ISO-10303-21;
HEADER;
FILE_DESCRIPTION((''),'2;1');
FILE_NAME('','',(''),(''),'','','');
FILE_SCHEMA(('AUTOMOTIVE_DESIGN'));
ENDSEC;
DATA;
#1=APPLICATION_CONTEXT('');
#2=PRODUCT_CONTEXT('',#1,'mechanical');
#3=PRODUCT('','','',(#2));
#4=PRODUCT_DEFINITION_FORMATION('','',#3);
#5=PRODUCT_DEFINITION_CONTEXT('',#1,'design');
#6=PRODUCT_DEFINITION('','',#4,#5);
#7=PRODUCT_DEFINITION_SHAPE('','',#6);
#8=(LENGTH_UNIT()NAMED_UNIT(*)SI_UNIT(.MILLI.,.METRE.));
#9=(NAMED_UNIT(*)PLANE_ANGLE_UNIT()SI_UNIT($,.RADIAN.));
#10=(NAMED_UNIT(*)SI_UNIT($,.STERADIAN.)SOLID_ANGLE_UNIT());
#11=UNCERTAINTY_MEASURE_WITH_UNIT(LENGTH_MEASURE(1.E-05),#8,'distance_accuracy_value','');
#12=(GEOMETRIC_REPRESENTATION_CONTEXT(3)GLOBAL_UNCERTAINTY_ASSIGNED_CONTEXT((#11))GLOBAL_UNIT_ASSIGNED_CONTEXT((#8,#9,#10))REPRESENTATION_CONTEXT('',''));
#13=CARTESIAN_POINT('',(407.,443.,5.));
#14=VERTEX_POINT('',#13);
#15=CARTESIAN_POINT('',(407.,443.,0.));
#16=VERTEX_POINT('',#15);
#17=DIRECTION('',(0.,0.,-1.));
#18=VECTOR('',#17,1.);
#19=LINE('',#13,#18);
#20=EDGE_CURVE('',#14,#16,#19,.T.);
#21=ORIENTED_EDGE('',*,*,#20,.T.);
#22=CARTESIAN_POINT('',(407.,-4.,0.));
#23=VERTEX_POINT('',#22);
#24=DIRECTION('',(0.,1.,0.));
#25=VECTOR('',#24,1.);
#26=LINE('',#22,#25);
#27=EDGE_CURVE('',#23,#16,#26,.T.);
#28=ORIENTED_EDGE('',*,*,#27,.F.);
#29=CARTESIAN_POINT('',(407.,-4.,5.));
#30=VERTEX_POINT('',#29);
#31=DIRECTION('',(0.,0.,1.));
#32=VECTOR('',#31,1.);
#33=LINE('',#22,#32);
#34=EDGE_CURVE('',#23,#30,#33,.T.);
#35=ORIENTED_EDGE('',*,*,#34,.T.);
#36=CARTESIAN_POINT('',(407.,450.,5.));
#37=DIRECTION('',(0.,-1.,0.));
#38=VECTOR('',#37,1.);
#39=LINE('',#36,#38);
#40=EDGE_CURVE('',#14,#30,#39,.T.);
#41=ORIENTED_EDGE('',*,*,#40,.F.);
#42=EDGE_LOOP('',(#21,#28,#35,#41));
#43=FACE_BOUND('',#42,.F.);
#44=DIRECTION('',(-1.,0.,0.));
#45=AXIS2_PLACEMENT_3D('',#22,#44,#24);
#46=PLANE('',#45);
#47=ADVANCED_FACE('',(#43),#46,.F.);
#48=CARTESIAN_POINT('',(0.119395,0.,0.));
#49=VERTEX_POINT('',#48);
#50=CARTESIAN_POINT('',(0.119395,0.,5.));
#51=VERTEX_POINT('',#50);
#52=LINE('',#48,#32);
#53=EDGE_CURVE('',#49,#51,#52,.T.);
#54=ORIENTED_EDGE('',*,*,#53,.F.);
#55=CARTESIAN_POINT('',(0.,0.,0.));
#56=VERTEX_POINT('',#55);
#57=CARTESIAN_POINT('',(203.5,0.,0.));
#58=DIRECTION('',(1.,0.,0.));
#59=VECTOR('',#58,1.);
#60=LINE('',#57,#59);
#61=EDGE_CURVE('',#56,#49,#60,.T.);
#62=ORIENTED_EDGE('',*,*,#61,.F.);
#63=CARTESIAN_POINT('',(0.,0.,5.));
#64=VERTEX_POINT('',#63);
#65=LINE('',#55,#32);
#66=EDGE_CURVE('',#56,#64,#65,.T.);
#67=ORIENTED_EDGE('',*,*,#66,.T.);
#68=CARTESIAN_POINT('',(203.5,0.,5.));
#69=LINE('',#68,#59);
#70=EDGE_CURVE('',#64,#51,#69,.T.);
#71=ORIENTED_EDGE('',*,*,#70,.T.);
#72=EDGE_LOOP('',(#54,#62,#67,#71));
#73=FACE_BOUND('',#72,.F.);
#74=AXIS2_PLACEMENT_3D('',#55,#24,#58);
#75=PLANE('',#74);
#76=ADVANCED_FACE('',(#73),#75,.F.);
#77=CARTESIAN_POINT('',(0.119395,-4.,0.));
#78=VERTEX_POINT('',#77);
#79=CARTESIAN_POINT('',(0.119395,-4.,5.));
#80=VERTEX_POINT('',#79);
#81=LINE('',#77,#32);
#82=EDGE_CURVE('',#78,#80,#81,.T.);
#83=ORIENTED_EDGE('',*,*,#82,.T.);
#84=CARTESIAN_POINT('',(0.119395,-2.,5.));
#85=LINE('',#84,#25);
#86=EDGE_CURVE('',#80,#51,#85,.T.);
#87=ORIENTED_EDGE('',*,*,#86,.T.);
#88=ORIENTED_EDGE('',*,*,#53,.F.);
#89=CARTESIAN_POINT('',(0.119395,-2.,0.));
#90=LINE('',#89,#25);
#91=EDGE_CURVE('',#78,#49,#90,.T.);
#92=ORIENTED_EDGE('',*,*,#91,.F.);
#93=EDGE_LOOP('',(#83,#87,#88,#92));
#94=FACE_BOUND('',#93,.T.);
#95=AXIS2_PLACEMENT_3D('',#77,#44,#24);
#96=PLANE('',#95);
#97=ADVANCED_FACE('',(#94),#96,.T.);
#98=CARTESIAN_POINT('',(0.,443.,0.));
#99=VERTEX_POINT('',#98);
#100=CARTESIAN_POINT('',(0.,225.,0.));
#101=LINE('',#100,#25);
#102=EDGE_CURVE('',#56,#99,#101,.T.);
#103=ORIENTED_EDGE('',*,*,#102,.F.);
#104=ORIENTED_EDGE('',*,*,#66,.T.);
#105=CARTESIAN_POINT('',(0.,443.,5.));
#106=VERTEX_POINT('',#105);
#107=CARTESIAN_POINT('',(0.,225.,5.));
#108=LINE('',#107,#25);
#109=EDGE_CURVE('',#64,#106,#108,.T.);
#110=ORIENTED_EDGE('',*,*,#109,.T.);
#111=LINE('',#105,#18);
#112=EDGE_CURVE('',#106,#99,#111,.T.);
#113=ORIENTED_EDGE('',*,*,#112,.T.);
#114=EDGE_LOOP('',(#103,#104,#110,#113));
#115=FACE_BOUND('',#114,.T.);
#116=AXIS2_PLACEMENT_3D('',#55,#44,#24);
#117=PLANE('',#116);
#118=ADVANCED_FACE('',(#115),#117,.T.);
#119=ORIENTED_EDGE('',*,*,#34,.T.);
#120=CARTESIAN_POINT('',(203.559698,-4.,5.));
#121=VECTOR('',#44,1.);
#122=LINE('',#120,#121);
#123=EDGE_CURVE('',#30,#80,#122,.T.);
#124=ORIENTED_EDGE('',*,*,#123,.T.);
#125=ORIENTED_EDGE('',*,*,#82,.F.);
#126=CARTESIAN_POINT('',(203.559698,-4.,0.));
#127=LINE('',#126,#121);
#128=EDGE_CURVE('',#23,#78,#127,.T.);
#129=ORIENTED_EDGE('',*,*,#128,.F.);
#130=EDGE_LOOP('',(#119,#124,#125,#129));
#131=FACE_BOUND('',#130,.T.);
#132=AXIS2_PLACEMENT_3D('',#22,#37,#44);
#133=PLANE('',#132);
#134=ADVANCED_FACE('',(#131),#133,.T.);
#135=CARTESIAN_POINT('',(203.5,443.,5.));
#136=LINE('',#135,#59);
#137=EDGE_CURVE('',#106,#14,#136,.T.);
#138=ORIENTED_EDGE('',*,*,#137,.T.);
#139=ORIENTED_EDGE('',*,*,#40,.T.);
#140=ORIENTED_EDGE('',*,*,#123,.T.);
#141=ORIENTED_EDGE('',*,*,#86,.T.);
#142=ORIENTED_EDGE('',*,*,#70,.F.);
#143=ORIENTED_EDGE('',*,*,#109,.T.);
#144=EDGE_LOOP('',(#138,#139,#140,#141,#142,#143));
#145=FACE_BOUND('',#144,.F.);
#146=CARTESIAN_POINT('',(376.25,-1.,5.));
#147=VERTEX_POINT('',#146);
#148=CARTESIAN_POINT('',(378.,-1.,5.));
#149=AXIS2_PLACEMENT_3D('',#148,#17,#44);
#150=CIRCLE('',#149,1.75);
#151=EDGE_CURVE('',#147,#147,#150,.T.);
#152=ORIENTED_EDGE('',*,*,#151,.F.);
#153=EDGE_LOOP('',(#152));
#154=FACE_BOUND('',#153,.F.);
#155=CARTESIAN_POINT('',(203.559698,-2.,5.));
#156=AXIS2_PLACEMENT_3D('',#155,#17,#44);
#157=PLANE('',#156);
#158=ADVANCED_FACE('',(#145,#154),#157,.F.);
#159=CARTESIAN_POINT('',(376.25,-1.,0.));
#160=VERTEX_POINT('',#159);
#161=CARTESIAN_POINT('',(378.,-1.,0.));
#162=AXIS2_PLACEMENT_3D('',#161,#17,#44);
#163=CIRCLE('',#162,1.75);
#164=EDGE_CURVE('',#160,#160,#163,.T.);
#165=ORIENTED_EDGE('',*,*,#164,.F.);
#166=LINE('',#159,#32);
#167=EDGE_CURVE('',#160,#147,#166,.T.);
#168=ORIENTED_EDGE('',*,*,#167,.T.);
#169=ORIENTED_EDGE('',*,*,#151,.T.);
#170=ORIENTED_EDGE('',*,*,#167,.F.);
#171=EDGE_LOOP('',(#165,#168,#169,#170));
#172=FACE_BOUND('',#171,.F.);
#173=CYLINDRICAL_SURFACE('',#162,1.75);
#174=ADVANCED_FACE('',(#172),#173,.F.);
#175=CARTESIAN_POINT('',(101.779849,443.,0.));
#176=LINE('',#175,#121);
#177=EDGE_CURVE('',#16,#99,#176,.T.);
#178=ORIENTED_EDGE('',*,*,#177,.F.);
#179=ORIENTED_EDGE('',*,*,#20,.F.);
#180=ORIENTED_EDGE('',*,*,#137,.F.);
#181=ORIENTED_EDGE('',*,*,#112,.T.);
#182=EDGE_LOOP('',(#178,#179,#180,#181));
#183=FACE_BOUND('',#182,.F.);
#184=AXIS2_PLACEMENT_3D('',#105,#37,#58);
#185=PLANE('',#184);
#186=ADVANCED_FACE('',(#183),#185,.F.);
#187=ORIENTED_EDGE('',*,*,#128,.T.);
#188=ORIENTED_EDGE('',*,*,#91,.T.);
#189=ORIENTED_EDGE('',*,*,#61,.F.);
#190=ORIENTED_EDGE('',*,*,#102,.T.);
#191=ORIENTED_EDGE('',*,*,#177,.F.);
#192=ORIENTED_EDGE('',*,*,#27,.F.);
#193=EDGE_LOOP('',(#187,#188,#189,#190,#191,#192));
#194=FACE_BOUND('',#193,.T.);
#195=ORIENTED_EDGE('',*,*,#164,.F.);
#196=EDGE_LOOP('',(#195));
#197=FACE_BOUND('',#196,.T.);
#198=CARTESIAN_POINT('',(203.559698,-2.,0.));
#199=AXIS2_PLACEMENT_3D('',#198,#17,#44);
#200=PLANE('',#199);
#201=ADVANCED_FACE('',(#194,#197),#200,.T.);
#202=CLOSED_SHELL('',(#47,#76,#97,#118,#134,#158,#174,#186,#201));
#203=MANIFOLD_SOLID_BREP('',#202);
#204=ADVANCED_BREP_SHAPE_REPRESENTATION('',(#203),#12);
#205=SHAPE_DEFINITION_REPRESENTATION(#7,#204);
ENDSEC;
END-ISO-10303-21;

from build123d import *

# Parameters (mm, degrees)
SKETCH1_W           = 407
SKETCH1_H           = 450
BOSS_EXTRUDE1_DEPTH = 5
SKETCH4_R           = 1.75
CUT_EXTRUDE3_DEPTH  = 6
SKETCH5_W           = 406.880604732
SKETCH5_H           = 4
BOSS_EXTRUDE2_DEPTH = 5
SKETCH6_R           = 1.75
CUT_EXTRUDE4_DEPTH  = 6
SKETCH7_W           = 407
SKETCH7_H           = 7
CUT_EXTRUDE5_DEPTH  = 10


with BuildPart() as part:
    # Sketch1 → Boss-Extrude1 (new body)
    with BuildSketch(Plane.XY):
        with Locations((203.5, 225)):
            Rectangle(SKETCH1_W, SKETCH1_H)
    extrude(amount=BOSS_EXTRUDE1_DEPTH)

    # Sketch4 → Cut-Extrude3 (cut, through all)
    with BuildSketch(Plane(origin=(0, 0, 0), x_dir=(-1, 0, 0), z_dir=(0, 0, -1))):
        with Locations((-378, 447)):
            Circle(SKETCH4_R)
    extrude(amount=-CUT_EXTRUDE3_DEPTH, mode=Mode.SUBTRACT)

    # Sketch5 → Boss-Extrude2 (add)
    with BuildSketch(Plane(origin=(0, 0, 0), x_dir=(-1, 0, 0), z_dir=(0, 0, -1))):
        with Locations((-203.559697634, -2)):
            Rectangle(SKETCH5_W, SKETCH5_H)
    extrude(amount=-BOSS_EXTRUDE2_DEPTH)

    # Sketch6 → Cut-Extrude4 (cut, through all)
    with BuildSketch(Plane(origin=(0, 0, 0), x_dir=(-1, 0, 0), z_dir=(0, 0, -1))):
        with Locations((-378, -1)):
            Circle(SKETCH6_R)
    extrude(amount=-CUT_EXTRUDE4_DEPTH, mode=Mode.SUBTRACT)

    # Sketch7 → Cut-Extrude5 (cut)
    with BuildSketch(Plane.XY.offset(5)):
        with Locations((203.5, 446.5)):
            Rectangle(SKETCH7_W, SKETCH7_H)
    extrude(amount=-CUT_EXTRUDE5_DEPTH, mode=Mode.SUBTRACT)


solid = part.part
